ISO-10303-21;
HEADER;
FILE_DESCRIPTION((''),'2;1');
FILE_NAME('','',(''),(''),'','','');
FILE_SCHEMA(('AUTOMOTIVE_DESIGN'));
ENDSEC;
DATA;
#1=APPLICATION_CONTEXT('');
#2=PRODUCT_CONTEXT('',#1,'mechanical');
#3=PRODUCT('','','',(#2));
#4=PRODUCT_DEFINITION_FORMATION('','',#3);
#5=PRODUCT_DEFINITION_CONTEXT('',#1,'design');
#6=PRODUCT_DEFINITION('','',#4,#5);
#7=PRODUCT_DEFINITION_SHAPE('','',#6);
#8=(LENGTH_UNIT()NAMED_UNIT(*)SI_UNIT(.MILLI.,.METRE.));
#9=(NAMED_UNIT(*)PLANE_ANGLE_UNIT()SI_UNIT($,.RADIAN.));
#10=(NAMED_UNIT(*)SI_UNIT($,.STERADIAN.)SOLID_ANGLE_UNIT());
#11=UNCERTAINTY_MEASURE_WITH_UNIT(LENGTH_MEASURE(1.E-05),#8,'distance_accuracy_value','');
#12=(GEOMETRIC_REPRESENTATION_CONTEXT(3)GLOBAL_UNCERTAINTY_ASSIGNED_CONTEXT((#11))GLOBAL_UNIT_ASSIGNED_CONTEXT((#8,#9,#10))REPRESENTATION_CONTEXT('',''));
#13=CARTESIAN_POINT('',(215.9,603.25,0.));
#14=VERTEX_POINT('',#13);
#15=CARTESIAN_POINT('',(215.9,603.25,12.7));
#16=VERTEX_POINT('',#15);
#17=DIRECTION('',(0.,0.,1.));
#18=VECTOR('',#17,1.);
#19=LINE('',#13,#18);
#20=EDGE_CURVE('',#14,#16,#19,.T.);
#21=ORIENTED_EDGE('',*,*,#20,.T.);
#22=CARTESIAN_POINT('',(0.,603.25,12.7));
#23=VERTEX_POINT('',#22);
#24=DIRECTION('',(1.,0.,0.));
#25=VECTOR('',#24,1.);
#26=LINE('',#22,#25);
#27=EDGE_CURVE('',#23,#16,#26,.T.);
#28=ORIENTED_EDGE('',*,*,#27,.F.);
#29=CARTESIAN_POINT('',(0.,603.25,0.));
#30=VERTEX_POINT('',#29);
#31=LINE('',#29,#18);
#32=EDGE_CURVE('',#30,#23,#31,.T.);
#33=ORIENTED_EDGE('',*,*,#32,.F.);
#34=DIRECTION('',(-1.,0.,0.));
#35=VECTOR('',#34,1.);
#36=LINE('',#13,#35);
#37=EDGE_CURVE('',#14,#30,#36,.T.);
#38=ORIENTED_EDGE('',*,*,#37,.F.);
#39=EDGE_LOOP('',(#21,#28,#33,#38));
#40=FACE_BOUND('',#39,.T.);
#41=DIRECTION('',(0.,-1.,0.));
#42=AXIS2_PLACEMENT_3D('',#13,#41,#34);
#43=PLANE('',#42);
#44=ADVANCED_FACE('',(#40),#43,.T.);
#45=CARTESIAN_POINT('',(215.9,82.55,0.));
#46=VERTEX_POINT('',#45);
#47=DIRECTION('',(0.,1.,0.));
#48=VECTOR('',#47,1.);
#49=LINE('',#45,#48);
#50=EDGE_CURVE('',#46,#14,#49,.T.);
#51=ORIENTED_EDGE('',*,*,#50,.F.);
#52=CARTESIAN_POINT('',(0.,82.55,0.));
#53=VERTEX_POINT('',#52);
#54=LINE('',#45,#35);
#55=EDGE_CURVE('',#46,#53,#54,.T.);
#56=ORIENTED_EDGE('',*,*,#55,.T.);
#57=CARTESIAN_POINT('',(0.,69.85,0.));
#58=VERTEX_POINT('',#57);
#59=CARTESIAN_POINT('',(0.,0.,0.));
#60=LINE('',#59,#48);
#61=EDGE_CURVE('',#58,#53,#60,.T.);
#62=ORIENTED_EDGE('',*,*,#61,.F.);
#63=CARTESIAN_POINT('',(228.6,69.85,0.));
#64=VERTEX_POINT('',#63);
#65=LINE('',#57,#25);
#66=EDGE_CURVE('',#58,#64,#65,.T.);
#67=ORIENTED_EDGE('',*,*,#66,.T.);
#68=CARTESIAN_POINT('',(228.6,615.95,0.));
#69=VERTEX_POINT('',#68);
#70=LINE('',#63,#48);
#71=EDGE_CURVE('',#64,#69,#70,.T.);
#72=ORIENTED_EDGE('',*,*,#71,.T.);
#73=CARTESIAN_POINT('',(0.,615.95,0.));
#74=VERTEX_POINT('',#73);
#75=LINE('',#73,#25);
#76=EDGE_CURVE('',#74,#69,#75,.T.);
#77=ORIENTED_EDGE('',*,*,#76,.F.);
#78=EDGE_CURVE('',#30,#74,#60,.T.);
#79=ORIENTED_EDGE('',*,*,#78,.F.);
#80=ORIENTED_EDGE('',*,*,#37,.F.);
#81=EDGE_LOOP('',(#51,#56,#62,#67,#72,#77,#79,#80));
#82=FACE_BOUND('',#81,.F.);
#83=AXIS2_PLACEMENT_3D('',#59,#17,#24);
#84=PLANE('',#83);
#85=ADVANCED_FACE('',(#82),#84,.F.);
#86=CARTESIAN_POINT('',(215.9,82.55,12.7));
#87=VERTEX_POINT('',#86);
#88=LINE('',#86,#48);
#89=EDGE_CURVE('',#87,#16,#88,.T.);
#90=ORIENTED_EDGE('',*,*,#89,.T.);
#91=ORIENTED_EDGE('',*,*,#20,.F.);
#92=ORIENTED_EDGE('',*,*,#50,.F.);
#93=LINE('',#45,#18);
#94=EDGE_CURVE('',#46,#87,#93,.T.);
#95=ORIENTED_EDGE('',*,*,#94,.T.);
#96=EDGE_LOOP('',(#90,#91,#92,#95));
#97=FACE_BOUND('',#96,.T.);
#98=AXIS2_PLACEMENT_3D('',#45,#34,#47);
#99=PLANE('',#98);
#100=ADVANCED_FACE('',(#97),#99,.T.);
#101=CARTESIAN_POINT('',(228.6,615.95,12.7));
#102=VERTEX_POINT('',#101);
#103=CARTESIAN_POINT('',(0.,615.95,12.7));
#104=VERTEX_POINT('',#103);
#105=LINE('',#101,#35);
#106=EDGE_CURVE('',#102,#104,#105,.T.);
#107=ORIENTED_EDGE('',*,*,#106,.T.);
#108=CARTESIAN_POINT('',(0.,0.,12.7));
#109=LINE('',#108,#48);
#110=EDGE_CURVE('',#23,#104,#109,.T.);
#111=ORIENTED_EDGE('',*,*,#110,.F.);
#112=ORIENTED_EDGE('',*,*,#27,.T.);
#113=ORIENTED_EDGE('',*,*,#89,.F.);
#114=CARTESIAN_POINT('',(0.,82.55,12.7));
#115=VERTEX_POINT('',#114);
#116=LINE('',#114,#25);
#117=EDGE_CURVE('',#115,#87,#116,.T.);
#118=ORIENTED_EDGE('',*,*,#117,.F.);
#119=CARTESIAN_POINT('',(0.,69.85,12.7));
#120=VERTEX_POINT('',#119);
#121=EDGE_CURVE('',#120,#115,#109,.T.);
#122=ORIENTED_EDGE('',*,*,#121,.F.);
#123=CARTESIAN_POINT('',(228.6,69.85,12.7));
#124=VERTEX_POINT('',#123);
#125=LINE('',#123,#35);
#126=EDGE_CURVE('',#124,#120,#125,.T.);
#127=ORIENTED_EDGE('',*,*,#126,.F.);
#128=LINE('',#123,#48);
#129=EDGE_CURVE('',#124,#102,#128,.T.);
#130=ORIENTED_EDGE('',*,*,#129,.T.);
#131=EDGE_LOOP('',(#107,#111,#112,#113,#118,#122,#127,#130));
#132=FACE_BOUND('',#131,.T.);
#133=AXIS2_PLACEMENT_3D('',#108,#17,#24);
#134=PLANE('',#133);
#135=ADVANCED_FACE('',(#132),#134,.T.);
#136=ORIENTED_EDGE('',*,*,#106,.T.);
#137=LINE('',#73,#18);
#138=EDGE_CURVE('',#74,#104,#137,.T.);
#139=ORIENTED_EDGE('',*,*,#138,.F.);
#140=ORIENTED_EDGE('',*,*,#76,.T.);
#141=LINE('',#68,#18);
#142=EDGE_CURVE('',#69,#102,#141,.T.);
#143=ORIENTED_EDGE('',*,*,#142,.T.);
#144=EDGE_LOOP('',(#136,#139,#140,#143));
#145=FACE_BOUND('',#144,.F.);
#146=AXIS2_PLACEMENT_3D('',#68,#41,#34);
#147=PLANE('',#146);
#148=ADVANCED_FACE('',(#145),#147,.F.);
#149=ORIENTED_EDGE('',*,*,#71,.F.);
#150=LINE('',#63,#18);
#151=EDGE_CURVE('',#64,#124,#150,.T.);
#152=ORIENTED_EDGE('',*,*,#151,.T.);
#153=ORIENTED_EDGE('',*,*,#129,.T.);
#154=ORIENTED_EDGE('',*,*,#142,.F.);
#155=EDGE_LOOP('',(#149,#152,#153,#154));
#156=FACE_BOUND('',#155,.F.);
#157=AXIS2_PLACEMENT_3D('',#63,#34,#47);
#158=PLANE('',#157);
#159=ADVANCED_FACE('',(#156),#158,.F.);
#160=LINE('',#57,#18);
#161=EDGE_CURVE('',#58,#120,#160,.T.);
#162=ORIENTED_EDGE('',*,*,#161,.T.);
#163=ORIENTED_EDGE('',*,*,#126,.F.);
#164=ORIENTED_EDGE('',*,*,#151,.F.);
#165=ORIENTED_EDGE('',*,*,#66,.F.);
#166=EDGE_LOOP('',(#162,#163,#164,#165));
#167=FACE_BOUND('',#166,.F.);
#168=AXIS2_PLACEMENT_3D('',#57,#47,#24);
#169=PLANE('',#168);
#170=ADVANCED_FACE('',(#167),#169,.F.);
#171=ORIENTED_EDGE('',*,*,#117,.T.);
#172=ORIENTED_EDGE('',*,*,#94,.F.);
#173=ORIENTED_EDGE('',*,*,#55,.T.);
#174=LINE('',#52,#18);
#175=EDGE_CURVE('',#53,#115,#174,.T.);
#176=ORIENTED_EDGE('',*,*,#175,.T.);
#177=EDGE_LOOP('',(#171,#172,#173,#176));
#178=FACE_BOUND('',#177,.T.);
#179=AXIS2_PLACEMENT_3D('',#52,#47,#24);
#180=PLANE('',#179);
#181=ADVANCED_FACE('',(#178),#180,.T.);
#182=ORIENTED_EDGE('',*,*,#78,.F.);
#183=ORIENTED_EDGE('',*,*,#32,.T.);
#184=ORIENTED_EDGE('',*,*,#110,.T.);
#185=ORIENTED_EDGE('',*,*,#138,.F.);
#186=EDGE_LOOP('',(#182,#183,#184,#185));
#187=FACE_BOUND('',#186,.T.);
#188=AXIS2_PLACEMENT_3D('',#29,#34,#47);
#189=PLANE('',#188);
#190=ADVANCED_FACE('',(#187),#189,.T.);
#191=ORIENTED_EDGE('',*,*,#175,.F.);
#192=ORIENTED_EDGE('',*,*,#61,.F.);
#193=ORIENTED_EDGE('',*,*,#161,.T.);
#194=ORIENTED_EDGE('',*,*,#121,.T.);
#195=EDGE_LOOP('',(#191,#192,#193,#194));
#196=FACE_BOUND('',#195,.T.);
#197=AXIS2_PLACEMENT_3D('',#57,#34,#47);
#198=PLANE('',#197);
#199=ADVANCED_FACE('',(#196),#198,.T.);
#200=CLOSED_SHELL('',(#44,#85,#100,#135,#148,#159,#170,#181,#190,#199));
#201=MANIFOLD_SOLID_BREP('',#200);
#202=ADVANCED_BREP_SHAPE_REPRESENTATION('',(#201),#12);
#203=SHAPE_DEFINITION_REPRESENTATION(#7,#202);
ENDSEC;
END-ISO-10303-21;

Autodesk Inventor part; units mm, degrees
ref_plane "YZ Plane" through (0, 0, 0) normal (1, 0, 0) x (0, 1, 0)
ref_plane "XZ Plane" through (0, 0, 0) normal (0, 1, 0) x (-1, 0, 0)
ref_plane "XY Plane" through (0, 0, 0) normal (0, 0, 1) x (1, 0, 0)
sketch "Sketch1" plane through (0, 0, 0) normal (0, 0, 1) x (1, 0, 0)
  line L0 (0, 0) -> (66.675, 0) projected
  line L1 (66.675, 0) -> (66.675, 685.8) projected
  line L2 (0, 685.8) -> (66.675, 685.8) projected
  line L3 (0, 0) -> (0, 685.8) projected
  line L4 (0, 69.85) -> (228.6, 69.85)
  line L5 (228.6, 69.85) -> (228.6, 615.95)
  line L6 (228.6, 615.95) -> (0, 615.95)
  line L7 (0, 82.55) -> (215.9, 82.55)
  line L8 (215.9, 82.55) -> (215.9, 603.25)
  line L9 (215.9, 603.25) -> (0, 603.25)
  line L10 (0, 69.85) -> (0, 82.55)
  line L11 (0, 603.25) -> (0, 615.95)
  point P0 (228.6, 342.9)
  point P1 (0, 342.9)
  dimension "d0" = 546.1
  dimension "d1" = 228.6
  dimension "d2" = 12.7
extrude "Extrusion1" add sketch "Sketch1" along normal blind 12.7 contours L3 L7 L1 L4 | L1 L7 L8 L9 L6 L5 L4 | L3 L6 L1 L9
properties part number "Drop Loop"
